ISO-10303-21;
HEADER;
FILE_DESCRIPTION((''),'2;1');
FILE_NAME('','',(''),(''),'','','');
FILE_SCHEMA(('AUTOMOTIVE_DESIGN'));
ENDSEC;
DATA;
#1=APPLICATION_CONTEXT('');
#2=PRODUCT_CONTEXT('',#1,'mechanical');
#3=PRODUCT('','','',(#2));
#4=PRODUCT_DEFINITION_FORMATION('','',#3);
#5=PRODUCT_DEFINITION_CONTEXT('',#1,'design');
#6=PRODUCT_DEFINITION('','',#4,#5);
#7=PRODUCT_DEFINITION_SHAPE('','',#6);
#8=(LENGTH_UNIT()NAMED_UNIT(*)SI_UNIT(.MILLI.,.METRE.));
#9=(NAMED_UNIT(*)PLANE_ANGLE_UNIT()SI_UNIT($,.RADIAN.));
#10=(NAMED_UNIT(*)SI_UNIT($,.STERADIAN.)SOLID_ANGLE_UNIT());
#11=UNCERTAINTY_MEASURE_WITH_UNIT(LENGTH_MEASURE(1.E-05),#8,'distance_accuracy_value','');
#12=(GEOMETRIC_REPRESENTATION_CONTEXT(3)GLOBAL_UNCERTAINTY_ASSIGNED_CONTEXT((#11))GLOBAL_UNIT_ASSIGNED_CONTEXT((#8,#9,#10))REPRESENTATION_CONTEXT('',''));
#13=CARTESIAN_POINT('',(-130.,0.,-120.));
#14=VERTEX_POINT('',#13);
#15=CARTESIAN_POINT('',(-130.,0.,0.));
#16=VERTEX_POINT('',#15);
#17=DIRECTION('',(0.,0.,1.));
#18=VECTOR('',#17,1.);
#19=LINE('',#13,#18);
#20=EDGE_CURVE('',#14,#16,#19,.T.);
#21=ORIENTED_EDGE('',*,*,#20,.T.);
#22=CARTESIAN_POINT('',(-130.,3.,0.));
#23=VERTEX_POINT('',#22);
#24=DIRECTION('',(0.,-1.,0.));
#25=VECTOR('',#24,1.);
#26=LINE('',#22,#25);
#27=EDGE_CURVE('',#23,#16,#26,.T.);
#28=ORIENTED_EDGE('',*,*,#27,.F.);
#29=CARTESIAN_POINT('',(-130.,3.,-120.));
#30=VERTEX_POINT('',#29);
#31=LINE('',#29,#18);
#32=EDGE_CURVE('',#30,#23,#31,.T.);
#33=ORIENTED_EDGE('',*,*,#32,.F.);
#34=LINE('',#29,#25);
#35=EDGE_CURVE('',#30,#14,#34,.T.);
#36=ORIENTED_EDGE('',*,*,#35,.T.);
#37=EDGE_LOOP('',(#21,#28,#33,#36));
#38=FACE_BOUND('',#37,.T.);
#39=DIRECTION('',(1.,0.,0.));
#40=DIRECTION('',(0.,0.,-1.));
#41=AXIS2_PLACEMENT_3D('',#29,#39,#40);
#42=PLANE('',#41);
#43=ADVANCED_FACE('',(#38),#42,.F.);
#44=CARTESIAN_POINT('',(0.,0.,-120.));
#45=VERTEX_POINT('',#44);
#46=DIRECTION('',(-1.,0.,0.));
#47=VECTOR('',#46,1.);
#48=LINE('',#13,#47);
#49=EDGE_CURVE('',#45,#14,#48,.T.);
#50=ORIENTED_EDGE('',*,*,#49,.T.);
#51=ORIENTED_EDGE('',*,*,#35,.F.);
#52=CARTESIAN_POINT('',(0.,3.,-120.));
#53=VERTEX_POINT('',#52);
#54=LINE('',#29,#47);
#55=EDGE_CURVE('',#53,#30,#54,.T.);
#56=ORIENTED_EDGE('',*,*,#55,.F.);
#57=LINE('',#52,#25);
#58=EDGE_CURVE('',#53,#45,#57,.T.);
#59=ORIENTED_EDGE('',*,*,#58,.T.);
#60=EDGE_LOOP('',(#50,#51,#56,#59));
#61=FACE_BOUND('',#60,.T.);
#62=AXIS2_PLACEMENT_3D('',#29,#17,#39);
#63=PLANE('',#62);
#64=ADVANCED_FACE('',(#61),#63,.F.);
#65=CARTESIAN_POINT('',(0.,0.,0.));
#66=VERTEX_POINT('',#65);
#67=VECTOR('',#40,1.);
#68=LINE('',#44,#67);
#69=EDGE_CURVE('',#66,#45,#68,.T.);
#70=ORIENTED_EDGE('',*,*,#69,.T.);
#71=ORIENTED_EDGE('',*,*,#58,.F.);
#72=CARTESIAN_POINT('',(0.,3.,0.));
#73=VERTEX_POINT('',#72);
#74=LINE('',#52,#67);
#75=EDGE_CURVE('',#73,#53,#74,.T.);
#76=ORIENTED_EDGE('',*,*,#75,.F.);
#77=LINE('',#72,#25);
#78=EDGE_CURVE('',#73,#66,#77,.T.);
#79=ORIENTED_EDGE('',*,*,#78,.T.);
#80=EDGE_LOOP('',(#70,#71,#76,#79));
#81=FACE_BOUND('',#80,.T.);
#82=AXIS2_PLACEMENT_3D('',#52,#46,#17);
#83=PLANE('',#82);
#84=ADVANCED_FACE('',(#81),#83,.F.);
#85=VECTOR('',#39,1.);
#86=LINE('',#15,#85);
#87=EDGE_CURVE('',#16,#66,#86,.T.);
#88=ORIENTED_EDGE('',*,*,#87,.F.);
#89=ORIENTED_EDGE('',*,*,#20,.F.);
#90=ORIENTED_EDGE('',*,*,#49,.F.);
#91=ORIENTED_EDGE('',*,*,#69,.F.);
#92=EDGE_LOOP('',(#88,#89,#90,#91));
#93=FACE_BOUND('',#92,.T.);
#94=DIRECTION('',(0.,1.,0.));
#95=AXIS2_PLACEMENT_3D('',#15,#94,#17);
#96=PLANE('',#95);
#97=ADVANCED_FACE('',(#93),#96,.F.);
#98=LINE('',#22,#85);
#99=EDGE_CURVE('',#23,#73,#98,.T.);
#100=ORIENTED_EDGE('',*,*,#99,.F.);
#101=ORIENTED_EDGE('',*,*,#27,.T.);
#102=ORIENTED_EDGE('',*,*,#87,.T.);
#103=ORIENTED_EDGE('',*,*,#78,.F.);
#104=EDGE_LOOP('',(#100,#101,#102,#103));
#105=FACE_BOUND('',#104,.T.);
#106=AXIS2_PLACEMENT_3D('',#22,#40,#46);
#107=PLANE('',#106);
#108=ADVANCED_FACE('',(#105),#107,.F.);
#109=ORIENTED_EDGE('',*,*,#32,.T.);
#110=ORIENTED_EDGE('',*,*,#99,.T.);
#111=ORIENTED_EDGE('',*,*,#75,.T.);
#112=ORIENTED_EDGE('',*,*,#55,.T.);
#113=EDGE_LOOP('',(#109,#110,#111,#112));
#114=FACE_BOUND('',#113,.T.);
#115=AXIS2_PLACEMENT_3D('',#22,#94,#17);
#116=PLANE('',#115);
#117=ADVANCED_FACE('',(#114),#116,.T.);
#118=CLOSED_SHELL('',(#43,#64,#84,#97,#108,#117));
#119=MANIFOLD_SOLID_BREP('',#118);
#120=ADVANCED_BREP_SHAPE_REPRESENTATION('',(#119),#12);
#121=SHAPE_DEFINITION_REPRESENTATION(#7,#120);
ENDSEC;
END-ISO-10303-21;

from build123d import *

# Parameters (mm, degrees)
SKETCH_1_W      = 130
SKETCH_1_H      = 120
EXTRUDE_1_DEPTH = 3


with BuildPart() as part:
    # 草圖1 → 伸長1 (new body)
    with BuildSketch(Plane(origin=(0, 0, 0), x_dir=(1, 0, 0), z_dir=(0, 1, 0))):
        with Locations((-65, 60)):
            Rectangle(SKETCH_1_W, SKETCH_1_H)
    extrude(amount=EXTRUDE_1_DEPTH)


solid = part.part
